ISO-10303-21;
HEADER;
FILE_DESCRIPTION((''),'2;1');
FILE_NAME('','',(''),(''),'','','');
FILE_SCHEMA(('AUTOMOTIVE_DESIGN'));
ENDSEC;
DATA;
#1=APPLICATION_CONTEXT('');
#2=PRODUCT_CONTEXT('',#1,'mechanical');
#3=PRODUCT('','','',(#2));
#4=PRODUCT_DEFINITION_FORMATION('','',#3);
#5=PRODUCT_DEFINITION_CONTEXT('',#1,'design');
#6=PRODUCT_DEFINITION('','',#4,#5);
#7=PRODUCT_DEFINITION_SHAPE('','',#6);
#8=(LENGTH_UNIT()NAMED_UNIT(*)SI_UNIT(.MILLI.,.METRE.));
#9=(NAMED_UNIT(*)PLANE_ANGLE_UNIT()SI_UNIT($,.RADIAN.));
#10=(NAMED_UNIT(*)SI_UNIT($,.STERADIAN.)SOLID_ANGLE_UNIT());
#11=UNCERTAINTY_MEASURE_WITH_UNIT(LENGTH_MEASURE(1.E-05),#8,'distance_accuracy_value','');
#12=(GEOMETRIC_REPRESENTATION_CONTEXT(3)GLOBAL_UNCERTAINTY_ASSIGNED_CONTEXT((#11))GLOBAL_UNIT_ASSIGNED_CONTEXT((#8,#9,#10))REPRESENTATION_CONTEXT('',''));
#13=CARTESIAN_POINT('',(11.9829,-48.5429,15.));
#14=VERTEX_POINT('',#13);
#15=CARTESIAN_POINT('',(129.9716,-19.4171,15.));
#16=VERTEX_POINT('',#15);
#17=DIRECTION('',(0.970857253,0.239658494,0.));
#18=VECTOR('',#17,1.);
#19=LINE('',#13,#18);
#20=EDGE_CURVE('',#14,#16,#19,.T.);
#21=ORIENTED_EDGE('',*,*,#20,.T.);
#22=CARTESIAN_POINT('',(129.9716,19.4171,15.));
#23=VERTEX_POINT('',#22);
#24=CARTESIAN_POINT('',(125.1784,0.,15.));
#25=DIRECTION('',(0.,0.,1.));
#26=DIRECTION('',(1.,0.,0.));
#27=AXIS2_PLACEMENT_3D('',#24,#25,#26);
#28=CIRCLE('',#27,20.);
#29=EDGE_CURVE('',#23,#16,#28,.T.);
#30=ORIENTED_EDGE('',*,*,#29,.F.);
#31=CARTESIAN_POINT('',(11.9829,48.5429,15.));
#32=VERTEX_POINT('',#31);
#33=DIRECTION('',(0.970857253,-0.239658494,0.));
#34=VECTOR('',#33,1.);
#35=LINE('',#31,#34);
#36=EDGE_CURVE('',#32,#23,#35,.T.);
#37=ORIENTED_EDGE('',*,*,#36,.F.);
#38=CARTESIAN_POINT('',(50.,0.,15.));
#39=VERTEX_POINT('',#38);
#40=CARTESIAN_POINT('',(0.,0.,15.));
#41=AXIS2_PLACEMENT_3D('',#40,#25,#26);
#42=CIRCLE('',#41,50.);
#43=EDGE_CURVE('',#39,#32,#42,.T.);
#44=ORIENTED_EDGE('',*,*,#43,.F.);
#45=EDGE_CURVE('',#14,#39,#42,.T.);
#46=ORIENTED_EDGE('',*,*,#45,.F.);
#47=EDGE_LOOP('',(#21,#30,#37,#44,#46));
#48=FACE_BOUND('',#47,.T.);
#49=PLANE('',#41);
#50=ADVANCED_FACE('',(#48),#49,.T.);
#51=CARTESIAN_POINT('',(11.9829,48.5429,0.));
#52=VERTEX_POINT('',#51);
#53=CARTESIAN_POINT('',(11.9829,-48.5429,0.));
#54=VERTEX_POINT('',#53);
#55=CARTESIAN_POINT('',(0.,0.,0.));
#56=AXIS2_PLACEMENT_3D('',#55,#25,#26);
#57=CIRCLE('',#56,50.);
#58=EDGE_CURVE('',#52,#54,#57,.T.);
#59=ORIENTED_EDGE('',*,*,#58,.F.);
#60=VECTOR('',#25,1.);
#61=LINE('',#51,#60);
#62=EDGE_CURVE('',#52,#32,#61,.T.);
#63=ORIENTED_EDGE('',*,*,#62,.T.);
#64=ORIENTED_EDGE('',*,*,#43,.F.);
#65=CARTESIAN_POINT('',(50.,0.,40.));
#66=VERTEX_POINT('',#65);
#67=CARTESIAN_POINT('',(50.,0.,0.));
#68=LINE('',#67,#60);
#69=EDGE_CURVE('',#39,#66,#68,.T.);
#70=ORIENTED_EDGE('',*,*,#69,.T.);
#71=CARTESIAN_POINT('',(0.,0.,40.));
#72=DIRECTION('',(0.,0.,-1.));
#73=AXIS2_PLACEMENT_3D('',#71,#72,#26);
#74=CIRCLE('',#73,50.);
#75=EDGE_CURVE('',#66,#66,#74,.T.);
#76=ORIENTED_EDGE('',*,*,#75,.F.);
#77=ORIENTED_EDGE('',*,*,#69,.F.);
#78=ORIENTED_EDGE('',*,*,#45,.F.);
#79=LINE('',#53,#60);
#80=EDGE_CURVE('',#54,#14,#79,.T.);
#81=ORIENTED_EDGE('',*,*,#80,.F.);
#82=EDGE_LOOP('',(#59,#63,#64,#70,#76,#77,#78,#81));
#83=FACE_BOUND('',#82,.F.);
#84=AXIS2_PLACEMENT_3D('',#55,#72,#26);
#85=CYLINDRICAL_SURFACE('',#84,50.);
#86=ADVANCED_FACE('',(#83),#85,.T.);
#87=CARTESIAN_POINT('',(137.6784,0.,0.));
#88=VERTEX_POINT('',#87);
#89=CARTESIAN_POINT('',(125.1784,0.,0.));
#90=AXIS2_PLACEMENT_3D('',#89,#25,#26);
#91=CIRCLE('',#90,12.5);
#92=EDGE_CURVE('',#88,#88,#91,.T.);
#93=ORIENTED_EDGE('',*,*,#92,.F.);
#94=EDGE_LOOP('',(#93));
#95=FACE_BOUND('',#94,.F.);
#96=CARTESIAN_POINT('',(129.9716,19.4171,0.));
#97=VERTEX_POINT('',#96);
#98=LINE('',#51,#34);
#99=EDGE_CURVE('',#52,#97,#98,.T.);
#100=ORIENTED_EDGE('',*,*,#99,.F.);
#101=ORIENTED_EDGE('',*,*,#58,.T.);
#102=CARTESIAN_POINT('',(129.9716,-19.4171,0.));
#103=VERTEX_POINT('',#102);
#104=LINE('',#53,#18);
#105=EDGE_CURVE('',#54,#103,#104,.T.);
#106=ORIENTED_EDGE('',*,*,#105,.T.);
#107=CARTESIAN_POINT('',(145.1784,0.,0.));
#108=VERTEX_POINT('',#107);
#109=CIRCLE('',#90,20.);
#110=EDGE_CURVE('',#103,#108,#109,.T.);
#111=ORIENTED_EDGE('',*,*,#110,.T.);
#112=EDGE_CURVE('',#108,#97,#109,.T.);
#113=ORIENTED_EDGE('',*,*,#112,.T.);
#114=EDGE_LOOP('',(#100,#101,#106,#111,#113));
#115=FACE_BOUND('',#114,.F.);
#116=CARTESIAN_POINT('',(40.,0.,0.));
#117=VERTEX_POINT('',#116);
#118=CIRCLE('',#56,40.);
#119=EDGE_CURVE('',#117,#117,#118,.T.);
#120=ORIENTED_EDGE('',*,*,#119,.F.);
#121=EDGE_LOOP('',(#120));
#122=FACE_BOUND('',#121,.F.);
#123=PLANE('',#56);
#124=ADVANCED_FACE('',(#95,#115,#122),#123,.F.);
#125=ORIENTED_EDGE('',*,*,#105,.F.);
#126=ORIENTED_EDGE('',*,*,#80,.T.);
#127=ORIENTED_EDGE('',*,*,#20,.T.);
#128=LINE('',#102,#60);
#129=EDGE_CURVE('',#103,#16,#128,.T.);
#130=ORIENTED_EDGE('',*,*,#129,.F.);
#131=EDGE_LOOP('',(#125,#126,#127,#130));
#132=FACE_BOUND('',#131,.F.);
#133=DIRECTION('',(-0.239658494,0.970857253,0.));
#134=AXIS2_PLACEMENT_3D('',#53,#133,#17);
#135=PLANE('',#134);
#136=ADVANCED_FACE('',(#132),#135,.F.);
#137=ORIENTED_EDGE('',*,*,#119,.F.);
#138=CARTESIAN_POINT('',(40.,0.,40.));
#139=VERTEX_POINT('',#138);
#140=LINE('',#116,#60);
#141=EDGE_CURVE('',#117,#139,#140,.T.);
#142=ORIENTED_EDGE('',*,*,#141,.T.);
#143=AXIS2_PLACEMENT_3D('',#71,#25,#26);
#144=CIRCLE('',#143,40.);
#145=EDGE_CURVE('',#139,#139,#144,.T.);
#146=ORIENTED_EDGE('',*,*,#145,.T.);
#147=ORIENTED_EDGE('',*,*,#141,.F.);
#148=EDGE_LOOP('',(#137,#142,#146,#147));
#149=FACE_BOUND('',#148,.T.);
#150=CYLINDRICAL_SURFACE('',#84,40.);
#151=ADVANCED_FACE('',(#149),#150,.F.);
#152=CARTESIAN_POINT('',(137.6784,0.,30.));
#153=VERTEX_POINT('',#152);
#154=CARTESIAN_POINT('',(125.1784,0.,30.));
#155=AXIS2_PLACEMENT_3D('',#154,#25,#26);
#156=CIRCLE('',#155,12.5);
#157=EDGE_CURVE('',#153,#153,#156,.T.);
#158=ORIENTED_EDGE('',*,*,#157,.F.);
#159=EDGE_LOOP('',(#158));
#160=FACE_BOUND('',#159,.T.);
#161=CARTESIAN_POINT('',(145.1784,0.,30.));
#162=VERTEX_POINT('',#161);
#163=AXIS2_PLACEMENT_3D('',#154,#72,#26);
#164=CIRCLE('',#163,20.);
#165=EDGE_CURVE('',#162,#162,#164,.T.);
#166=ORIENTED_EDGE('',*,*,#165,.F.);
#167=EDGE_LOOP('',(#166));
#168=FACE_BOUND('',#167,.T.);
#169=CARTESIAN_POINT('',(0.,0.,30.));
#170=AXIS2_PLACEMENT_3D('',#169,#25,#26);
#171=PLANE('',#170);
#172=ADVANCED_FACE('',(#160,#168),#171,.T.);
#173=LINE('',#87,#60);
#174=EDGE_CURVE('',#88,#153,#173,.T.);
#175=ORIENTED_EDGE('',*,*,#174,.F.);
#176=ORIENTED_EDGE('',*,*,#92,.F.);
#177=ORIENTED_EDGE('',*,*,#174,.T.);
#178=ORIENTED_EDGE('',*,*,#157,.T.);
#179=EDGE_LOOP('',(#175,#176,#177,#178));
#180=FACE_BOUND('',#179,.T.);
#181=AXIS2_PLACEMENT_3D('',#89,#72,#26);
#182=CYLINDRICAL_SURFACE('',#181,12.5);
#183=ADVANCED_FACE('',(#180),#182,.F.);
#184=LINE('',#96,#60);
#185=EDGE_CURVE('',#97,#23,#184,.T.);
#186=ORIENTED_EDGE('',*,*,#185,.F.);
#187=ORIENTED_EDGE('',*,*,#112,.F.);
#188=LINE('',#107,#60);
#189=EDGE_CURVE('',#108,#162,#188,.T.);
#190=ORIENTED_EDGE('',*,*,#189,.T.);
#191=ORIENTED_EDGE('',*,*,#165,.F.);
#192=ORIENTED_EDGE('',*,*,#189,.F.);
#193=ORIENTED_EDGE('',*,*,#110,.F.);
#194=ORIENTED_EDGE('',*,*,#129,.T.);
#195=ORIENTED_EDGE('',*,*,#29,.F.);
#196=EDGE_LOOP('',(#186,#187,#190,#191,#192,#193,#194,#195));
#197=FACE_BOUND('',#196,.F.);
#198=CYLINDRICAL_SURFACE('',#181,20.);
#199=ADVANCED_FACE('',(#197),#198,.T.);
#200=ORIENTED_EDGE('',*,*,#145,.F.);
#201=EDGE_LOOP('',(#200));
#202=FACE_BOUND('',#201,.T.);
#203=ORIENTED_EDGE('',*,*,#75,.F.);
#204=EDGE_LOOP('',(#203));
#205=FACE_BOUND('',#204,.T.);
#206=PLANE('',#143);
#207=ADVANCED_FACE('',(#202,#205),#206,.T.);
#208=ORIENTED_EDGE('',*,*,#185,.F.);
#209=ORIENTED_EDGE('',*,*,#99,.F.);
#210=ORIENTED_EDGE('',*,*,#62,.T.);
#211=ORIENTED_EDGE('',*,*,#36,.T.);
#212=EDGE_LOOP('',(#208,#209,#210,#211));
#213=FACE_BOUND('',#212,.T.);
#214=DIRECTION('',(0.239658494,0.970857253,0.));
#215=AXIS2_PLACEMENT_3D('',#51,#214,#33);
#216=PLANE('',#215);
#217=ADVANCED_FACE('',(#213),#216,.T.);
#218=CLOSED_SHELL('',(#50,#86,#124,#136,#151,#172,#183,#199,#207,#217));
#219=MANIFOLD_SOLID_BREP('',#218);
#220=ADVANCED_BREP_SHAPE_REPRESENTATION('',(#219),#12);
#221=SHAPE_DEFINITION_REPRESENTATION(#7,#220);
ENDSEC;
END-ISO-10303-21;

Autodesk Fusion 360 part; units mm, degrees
sketch "스케치1" plane through (0, 0, 0) normal (0, 0, 1) x (1, 0, 0)
  circle A0 centre (0, 0) radius 50
  circle A1 centre (125.1784, 0) radius 20
  line L0 (11.9829, 48.5429) -> (129.9716, 19.4171)
  line L1 (11.9829, -48.5429) -> (129.9716, -19.4171)
  circle A2 centre (0, 0) radius 40
  circle A3 centre (125.1784, 0) radius 12.5
  dimension "d1" = 100
  dimension "d2" = 40
  dimension "d3" = 80
  dimension "d4" = 25
extrude "돌출4" add sketch "스케치1" along normal blind 40 contours A0 makes body 1
extrude "돌출5" add sketch "스케치1" along normal blind 30 separate body contours A1 makes body 2
extrude "돌출6" add sketch "스케치1" along normal blind 15 contours A0 A1 L0 L1 bodies 1 2
